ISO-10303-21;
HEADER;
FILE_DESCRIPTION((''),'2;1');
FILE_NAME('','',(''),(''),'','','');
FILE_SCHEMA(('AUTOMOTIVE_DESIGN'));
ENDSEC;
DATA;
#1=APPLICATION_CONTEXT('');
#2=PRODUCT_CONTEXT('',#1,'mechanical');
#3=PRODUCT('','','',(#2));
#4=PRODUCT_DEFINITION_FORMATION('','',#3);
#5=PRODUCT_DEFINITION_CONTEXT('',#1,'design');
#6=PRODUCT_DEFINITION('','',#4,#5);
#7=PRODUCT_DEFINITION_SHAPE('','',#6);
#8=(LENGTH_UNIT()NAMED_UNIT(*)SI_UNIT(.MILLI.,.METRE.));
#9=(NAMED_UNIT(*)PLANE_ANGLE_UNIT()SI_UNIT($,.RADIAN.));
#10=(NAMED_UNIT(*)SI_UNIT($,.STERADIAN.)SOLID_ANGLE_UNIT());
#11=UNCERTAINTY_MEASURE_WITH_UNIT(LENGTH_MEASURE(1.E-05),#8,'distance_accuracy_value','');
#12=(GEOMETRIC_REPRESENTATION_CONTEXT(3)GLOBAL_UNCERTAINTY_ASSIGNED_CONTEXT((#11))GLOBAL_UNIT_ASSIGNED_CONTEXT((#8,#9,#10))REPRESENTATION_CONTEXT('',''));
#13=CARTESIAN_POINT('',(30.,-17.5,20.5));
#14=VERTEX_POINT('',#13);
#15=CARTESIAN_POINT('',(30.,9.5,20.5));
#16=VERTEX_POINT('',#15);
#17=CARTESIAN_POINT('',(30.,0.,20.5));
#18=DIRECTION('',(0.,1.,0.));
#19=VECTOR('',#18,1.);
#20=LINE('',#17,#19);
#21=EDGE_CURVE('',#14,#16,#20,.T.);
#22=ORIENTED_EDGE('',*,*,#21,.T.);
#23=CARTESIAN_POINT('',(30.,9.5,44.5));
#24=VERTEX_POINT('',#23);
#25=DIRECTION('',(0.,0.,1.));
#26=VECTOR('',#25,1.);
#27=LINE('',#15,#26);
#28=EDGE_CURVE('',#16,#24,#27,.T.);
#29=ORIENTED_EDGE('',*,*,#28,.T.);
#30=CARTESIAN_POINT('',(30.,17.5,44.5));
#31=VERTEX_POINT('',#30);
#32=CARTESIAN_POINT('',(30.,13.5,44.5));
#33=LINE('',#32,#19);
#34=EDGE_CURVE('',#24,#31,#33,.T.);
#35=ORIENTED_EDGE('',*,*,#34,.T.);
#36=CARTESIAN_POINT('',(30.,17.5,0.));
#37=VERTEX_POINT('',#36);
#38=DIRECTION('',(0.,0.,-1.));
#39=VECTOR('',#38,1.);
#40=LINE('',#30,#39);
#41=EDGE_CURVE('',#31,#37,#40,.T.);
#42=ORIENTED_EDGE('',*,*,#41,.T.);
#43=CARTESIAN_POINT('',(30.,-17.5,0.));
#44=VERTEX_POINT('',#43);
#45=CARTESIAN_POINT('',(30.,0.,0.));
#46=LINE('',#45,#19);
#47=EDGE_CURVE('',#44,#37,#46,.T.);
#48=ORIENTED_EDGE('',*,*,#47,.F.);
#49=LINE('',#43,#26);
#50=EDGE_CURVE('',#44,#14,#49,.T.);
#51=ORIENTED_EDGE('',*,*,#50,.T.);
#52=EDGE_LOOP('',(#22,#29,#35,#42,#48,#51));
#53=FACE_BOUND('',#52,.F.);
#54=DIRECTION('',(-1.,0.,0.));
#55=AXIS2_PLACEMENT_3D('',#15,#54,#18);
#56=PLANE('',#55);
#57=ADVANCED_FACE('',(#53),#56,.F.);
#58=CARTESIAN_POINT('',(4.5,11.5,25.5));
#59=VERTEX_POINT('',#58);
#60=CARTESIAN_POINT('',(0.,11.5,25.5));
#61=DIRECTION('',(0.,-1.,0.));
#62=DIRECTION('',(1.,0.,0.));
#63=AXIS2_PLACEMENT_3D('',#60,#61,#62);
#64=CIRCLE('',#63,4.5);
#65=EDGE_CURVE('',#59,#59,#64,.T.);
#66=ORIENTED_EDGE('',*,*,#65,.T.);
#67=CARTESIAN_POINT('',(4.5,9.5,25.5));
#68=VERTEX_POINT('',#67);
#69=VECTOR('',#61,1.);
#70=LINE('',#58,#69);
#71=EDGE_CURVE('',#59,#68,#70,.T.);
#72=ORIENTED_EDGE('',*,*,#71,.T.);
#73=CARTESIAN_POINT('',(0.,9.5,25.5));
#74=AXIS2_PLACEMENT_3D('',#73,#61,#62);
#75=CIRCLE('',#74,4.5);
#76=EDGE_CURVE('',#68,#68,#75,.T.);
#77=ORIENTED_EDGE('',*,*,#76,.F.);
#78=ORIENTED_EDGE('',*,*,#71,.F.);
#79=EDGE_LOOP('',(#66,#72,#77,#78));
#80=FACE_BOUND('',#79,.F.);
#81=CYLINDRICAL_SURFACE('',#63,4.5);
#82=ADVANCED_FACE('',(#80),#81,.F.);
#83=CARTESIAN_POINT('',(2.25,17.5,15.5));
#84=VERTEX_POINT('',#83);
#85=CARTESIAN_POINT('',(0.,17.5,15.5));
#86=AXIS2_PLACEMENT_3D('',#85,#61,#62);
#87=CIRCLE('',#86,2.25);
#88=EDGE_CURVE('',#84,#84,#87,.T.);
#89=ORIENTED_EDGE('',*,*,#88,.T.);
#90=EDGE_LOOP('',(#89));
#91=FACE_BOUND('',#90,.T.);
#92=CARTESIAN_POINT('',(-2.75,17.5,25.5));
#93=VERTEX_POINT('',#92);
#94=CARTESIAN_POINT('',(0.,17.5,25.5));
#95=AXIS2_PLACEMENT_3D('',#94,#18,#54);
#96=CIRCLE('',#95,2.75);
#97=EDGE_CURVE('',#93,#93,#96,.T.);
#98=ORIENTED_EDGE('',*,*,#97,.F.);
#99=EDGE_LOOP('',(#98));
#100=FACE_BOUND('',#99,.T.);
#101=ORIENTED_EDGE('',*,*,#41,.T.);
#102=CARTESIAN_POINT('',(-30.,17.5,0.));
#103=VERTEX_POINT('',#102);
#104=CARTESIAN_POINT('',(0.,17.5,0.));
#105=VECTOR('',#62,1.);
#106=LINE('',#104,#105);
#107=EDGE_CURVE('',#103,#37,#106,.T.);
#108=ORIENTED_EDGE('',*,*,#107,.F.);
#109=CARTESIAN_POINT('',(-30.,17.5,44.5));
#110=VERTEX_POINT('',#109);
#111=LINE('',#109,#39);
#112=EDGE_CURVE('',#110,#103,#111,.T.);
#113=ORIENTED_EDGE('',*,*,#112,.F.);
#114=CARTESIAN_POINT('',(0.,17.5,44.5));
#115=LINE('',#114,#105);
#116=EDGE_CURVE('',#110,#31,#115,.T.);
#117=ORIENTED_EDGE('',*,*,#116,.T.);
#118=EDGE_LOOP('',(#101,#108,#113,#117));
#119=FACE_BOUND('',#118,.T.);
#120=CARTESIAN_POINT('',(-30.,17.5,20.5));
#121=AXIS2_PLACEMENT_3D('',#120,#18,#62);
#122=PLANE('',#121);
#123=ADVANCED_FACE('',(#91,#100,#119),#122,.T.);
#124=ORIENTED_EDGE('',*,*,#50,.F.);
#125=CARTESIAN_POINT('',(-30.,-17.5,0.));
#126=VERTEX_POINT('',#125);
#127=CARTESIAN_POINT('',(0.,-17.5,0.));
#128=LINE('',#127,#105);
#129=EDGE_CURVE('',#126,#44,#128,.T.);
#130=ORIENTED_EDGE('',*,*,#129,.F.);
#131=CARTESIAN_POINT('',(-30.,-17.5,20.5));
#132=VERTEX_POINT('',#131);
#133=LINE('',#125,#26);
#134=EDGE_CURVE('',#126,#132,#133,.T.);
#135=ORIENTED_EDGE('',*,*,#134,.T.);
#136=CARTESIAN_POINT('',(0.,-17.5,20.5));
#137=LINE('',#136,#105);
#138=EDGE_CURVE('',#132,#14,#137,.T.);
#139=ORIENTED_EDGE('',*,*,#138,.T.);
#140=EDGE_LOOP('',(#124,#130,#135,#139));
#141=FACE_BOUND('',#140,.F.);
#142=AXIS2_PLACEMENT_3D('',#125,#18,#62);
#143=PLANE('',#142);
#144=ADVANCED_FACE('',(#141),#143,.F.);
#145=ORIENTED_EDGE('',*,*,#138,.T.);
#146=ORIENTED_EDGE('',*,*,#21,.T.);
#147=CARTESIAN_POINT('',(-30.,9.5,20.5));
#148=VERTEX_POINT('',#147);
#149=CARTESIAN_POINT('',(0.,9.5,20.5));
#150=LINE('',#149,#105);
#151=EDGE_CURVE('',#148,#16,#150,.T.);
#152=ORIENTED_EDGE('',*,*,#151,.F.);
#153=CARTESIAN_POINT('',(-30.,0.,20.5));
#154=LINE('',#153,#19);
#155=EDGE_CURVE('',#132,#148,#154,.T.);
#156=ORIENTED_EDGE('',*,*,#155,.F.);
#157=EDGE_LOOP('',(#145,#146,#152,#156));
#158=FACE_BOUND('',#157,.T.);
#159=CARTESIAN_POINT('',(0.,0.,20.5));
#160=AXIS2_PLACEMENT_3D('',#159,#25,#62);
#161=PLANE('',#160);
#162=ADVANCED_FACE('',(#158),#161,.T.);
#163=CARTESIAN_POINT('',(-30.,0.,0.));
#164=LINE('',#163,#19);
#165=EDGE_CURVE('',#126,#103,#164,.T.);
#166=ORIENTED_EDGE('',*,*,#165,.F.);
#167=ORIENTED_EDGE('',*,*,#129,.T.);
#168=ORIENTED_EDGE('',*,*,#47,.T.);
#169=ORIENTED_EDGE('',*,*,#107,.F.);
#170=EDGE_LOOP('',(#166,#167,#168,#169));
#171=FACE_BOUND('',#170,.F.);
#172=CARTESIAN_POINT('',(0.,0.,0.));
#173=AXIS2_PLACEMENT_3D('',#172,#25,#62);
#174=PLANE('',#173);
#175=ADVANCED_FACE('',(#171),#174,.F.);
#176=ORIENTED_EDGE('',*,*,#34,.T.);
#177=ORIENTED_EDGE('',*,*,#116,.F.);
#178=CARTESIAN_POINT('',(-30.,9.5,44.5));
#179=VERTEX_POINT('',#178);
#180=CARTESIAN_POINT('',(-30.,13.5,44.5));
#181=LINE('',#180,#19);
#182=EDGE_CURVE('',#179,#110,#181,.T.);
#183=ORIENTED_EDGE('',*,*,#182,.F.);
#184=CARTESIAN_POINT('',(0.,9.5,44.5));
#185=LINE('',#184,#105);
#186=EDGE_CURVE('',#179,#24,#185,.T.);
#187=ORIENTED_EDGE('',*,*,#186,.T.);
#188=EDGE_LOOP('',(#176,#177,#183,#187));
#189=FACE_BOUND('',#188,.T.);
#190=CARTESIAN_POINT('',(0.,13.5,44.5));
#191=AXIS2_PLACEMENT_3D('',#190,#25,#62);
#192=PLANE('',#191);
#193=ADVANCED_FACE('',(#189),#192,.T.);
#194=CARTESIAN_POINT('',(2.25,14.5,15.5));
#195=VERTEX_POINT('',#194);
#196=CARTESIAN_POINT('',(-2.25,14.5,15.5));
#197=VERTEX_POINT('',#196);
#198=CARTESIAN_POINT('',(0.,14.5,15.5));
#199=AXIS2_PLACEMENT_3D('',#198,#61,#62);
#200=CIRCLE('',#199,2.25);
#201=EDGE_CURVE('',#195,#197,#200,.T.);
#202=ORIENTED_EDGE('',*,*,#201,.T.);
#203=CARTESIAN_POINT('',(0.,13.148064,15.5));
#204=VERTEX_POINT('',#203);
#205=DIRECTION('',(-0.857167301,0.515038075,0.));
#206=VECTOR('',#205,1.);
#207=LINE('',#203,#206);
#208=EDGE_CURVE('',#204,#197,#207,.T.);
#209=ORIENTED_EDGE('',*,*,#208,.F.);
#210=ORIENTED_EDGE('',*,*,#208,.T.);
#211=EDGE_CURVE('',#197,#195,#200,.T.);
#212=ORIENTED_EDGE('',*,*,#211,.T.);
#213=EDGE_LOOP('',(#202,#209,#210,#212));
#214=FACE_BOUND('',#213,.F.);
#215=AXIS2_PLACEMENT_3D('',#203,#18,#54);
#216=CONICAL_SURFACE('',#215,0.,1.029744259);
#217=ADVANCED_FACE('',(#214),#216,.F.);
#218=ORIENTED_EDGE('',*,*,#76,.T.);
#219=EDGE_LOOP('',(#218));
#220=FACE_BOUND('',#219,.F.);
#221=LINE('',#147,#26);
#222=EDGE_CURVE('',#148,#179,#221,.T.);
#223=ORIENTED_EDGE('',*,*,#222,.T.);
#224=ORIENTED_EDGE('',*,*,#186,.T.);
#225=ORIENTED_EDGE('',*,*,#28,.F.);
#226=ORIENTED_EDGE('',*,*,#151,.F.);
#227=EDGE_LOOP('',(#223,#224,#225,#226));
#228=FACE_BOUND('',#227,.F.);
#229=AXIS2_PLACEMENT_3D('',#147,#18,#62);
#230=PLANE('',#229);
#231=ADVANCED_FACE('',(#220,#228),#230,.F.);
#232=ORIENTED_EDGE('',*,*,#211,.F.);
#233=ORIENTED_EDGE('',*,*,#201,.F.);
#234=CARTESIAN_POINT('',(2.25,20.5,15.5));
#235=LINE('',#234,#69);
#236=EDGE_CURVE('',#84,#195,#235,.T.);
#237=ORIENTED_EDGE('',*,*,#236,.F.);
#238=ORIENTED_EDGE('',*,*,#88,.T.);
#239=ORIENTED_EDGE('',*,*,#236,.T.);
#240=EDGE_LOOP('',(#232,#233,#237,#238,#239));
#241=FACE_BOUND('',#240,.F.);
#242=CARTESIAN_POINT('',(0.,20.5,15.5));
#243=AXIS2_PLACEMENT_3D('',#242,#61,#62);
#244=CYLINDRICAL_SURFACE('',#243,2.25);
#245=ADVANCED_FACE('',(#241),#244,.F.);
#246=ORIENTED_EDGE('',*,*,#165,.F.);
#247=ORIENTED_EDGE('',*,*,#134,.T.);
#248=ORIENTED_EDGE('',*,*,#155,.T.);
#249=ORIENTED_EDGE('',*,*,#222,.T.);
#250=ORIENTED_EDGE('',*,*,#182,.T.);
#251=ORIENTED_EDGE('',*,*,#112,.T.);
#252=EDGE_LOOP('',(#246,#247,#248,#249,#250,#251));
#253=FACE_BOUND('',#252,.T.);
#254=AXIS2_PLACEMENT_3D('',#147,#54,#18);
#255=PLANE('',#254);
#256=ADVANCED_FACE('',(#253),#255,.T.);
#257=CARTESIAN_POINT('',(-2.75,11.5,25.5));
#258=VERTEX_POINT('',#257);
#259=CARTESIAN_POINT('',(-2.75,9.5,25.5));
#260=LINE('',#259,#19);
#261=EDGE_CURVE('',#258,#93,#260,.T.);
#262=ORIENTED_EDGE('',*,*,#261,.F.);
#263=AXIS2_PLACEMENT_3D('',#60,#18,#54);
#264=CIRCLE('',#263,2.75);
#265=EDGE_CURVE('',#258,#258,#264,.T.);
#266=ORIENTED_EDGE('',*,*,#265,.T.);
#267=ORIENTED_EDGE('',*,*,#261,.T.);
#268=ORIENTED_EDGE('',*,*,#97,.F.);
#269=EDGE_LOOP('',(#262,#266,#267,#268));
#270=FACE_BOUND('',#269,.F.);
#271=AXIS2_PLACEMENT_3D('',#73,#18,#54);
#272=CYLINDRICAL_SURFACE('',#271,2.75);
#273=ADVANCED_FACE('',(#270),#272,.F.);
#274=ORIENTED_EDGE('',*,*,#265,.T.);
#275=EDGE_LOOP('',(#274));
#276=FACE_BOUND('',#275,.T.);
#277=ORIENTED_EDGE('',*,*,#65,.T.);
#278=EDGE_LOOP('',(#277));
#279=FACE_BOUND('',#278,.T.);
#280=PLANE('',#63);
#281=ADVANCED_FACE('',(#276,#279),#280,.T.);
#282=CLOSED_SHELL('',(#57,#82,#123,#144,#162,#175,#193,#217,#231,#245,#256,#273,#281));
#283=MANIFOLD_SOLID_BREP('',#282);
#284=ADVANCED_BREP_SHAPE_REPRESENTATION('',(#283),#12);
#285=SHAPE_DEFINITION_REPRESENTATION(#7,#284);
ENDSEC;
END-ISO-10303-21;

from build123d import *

# Parameters (mm, degrees)
F0_W           = 60
F0_H           = 35
F1_DEPTH       = 20.5
F2_W           = 60
F2_H           = 8
F3_DEPTH       = 24
F5_D           = 5.5
F5_CBORE_D     = 9
F5_CBORE_DEPTH = 2
F7_D           = 4.5
F7_DEPTH       = 3
F7_TIP         = 1.3519363928


with BuildPart() as f1:
    # F0 (on Top) → F1 (new body)
    with BuildSketch(Plane.XY):
        Rectangle(F0_W, F0_H)
    extrude(amount=F1_DEPTH)

    # F2 (on face) → F3 (join)
    with BuildSketch(Plane.XY.offset(20.5)):
        with Locations((0, 13.5)):
            Rectangle(F2_W, F2_H)
    extrude(amount=F3_DEPTH)

    # F5 (through all)
    with Locations(Plane.XZ.offset(-9.5)):
        with Locations((0, 25.5)):
            CounterBoreHole(F5_D / 2, F5_CBORE_D / 2, F5_CBORE_DEPTH)

    # F7
    with Locations(Plane(origin=(0, 17.5, 0), x_dir=(-1, 0, 0), z_dir=(0, 1, 0))):
        with Locations((0, 15.5)):
            Hole(F7_D / 2, depth=F7_DEPTH)
            with Locations((0, 0, -(F7_DEPTH + F7_TIP / 2))):  # 118° drill point
                Cone(0, F7_D / 2, F7_TIP, mode=Mode.SUBTRACT)


solid = f1.part
